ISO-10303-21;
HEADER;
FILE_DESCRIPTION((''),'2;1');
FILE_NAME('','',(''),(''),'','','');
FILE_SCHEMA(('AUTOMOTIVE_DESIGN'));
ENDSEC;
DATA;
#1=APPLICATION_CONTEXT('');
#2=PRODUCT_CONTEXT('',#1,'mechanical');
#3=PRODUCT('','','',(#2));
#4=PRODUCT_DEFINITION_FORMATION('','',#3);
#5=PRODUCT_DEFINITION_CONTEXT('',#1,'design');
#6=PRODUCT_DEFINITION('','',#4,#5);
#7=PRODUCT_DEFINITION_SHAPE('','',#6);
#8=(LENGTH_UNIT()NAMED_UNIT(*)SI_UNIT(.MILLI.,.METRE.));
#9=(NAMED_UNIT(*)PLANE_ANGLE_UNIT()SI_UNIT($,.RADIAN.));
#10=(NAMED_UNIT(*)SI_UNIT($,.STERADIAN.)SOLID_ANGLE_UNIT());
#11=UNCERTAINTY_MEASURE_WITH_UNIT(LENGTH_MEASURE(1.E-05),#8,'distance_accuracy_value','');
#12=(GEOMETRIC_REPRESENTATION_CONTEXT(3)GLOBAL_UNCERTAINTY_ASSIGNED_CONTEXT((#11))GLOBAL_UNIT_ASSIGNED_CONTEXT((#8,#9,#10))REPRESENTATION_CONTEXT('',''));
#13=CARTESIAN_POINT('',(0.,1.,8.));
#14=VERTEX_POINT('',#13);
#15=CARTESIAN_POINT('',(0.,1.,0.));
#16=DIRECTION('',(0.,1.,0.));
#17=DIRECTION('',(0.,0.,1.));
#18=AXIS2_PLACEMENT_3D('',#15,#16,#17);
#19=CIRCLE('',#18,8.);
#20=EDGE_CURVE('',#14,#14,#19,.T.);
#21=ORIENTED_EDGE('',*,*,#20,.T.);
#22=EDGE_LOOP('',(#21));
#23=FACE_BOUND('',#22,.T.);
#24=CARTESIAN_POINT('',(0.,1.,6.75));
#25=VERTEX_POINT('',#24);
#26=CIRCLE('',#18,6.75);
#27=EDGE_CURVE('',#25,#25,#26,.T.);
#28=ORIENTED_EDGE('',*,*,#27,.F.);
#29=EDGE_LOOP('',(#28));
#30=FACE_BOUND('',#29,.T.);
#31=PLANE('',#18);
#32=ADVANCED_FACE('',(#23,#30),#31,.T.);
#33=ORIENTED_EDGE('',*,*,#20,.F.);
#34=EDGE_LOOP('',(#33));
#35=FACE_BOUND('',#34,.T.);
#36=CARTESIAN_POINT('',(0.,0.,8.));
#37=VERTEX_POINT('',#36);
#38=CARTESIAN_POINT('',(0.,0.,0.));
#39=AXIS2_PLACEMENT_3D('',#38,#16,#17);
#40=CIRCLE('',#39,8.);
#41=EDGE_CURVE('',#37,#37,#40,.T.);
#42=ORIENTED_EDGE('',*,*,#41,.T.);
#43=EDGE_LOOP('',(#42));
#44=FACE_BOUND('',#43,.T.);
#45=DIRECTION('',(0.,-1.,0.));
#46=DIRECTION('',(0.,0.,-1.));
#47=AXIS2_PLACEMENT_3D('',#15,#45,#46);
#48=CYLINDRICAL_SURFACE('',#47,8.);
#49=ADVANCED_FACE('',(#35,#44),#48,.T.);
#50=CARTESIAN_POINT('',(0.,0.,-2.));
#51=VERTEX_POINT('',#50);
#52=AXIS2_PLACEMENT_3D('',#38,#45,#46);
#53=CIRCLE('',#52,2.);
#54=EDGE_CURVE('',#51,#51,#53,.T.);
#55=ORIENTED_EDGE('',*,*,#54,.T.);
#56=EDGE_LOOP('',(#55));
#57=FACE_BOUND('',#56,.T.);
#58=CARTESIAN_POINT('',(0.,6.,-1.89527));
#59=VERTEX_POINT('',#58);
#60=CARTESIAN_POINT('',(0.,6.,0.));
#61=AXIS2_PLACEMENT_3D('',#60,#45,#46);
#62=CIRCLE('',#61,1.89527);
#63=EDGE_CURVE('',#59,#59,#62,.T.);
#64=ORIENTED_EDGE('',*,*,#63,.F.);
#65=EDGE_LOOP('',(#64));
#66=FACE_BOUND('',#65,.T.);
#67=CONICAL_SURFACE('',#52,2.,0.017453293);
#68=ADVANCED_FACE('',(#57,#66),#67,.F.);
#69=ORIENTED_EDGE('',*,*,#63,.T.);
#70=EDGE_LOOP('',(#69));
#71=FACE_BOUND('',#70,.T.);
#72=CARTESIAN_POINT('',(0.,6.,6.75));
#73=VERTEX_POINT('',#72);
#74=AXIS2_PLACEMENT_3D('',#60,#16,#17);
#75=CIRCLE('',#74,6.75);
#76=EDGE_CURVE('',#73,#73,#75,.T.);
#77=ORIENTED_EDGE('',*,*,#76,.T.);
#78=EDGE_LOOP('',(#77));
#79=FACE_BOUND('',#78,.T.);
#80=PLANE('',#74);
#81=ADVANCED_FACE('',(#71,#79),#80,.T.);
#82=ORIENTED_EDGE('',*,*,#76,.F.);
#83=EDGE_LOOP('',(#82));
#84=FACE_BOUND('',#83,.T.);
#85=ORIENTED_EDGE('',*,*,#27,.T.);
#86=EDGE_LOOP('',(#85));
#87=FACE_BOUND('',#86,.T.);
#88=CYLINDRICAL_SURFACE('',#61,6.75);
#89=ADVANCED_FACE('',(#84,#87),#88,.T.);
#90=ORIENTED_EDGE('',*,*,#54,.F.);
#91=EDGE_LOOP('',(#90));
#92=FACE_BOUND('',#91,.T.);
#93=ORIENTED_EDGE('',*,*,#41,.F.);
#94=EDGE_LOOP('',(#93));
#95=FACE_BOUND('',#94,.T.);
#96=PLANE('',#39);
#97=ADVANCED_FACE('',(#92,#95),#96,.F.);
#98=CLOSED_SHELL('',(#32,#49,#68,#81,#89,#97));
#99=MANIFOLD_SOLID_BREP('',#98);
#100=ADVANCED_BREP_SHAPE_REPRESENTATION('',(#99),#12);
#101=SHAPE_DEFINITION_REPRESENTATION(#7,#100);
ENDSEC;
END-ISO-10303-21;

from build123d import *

# Parameters (mm, degrees)
SKETCH1_R           = 8
BOSS_EXTRUDE1_DEPTH = 1
SKETCH2_R           = 6.75
BOSS_EXTRUDE2_DEPTH = 5
SKETCH3_R           = 2
CUT_EXTRUDE1_DEPTH  = 13.806248475
CUT_EXTRUDE1_DRAFT  = -1


with BuildPart() as part:
    # Sketch1 → Boss-Extrude1 (new body)
    with BuildSketch(Plane(origin=(0, 0, 0), x_dir=(1, 0, 0), z_dir=(0, 1, 0))):
        with Locations(Location((0, 0, 0), (0, 0, 270))):
            Circle(SKETCH1_R)
    extrude(amount=BOSS_EXTRUDE1_DEPTH)

    # Sketch2 → Boss-Extrude2 (add)
    with BuildSketch(Plane(origin=(0, 1, 0), x_dir=(1, 0, 0), z_dir=(0, 1, 0))):
        with Locations(Location((0, 0, 0), (0, 0, 270))):
            Circle(SKETCH2_R)
    extrude(amount=BOSS_EXTRUDE2_DEPTH)


with BuildPart() as cut_extrude1_tool:
    # Sketch3 → Cut-Extrude1 (with draft: the straight prism first)
    with BuildSketch(Plane.XZ):
        Circle(SKETCH3_R)
    extrude(amount=-CUT_EXTRUDE1_DEPTH)
    # Cut-Extrude1: the draft: its side faces are tilted about the plane it starts from
    cut_extrude1_sides = [cut_extrude1_tool.faces().sort_by_distance(p)[0] for p in [
        (-2, 6.903124237, 0),
    ]]
    draft(cut_extrude1_sides, Plane.XZ, CUT_EXTRUDE1_DRAFT)


with BuildPart() as part_1:
    add(part.part)

    # Cut-Extrude1: cut by cut_extrude1_tool
    add(cut_extrude1_tool.part, mode=Mode.SUBTRACT)


solid = part_1.part
